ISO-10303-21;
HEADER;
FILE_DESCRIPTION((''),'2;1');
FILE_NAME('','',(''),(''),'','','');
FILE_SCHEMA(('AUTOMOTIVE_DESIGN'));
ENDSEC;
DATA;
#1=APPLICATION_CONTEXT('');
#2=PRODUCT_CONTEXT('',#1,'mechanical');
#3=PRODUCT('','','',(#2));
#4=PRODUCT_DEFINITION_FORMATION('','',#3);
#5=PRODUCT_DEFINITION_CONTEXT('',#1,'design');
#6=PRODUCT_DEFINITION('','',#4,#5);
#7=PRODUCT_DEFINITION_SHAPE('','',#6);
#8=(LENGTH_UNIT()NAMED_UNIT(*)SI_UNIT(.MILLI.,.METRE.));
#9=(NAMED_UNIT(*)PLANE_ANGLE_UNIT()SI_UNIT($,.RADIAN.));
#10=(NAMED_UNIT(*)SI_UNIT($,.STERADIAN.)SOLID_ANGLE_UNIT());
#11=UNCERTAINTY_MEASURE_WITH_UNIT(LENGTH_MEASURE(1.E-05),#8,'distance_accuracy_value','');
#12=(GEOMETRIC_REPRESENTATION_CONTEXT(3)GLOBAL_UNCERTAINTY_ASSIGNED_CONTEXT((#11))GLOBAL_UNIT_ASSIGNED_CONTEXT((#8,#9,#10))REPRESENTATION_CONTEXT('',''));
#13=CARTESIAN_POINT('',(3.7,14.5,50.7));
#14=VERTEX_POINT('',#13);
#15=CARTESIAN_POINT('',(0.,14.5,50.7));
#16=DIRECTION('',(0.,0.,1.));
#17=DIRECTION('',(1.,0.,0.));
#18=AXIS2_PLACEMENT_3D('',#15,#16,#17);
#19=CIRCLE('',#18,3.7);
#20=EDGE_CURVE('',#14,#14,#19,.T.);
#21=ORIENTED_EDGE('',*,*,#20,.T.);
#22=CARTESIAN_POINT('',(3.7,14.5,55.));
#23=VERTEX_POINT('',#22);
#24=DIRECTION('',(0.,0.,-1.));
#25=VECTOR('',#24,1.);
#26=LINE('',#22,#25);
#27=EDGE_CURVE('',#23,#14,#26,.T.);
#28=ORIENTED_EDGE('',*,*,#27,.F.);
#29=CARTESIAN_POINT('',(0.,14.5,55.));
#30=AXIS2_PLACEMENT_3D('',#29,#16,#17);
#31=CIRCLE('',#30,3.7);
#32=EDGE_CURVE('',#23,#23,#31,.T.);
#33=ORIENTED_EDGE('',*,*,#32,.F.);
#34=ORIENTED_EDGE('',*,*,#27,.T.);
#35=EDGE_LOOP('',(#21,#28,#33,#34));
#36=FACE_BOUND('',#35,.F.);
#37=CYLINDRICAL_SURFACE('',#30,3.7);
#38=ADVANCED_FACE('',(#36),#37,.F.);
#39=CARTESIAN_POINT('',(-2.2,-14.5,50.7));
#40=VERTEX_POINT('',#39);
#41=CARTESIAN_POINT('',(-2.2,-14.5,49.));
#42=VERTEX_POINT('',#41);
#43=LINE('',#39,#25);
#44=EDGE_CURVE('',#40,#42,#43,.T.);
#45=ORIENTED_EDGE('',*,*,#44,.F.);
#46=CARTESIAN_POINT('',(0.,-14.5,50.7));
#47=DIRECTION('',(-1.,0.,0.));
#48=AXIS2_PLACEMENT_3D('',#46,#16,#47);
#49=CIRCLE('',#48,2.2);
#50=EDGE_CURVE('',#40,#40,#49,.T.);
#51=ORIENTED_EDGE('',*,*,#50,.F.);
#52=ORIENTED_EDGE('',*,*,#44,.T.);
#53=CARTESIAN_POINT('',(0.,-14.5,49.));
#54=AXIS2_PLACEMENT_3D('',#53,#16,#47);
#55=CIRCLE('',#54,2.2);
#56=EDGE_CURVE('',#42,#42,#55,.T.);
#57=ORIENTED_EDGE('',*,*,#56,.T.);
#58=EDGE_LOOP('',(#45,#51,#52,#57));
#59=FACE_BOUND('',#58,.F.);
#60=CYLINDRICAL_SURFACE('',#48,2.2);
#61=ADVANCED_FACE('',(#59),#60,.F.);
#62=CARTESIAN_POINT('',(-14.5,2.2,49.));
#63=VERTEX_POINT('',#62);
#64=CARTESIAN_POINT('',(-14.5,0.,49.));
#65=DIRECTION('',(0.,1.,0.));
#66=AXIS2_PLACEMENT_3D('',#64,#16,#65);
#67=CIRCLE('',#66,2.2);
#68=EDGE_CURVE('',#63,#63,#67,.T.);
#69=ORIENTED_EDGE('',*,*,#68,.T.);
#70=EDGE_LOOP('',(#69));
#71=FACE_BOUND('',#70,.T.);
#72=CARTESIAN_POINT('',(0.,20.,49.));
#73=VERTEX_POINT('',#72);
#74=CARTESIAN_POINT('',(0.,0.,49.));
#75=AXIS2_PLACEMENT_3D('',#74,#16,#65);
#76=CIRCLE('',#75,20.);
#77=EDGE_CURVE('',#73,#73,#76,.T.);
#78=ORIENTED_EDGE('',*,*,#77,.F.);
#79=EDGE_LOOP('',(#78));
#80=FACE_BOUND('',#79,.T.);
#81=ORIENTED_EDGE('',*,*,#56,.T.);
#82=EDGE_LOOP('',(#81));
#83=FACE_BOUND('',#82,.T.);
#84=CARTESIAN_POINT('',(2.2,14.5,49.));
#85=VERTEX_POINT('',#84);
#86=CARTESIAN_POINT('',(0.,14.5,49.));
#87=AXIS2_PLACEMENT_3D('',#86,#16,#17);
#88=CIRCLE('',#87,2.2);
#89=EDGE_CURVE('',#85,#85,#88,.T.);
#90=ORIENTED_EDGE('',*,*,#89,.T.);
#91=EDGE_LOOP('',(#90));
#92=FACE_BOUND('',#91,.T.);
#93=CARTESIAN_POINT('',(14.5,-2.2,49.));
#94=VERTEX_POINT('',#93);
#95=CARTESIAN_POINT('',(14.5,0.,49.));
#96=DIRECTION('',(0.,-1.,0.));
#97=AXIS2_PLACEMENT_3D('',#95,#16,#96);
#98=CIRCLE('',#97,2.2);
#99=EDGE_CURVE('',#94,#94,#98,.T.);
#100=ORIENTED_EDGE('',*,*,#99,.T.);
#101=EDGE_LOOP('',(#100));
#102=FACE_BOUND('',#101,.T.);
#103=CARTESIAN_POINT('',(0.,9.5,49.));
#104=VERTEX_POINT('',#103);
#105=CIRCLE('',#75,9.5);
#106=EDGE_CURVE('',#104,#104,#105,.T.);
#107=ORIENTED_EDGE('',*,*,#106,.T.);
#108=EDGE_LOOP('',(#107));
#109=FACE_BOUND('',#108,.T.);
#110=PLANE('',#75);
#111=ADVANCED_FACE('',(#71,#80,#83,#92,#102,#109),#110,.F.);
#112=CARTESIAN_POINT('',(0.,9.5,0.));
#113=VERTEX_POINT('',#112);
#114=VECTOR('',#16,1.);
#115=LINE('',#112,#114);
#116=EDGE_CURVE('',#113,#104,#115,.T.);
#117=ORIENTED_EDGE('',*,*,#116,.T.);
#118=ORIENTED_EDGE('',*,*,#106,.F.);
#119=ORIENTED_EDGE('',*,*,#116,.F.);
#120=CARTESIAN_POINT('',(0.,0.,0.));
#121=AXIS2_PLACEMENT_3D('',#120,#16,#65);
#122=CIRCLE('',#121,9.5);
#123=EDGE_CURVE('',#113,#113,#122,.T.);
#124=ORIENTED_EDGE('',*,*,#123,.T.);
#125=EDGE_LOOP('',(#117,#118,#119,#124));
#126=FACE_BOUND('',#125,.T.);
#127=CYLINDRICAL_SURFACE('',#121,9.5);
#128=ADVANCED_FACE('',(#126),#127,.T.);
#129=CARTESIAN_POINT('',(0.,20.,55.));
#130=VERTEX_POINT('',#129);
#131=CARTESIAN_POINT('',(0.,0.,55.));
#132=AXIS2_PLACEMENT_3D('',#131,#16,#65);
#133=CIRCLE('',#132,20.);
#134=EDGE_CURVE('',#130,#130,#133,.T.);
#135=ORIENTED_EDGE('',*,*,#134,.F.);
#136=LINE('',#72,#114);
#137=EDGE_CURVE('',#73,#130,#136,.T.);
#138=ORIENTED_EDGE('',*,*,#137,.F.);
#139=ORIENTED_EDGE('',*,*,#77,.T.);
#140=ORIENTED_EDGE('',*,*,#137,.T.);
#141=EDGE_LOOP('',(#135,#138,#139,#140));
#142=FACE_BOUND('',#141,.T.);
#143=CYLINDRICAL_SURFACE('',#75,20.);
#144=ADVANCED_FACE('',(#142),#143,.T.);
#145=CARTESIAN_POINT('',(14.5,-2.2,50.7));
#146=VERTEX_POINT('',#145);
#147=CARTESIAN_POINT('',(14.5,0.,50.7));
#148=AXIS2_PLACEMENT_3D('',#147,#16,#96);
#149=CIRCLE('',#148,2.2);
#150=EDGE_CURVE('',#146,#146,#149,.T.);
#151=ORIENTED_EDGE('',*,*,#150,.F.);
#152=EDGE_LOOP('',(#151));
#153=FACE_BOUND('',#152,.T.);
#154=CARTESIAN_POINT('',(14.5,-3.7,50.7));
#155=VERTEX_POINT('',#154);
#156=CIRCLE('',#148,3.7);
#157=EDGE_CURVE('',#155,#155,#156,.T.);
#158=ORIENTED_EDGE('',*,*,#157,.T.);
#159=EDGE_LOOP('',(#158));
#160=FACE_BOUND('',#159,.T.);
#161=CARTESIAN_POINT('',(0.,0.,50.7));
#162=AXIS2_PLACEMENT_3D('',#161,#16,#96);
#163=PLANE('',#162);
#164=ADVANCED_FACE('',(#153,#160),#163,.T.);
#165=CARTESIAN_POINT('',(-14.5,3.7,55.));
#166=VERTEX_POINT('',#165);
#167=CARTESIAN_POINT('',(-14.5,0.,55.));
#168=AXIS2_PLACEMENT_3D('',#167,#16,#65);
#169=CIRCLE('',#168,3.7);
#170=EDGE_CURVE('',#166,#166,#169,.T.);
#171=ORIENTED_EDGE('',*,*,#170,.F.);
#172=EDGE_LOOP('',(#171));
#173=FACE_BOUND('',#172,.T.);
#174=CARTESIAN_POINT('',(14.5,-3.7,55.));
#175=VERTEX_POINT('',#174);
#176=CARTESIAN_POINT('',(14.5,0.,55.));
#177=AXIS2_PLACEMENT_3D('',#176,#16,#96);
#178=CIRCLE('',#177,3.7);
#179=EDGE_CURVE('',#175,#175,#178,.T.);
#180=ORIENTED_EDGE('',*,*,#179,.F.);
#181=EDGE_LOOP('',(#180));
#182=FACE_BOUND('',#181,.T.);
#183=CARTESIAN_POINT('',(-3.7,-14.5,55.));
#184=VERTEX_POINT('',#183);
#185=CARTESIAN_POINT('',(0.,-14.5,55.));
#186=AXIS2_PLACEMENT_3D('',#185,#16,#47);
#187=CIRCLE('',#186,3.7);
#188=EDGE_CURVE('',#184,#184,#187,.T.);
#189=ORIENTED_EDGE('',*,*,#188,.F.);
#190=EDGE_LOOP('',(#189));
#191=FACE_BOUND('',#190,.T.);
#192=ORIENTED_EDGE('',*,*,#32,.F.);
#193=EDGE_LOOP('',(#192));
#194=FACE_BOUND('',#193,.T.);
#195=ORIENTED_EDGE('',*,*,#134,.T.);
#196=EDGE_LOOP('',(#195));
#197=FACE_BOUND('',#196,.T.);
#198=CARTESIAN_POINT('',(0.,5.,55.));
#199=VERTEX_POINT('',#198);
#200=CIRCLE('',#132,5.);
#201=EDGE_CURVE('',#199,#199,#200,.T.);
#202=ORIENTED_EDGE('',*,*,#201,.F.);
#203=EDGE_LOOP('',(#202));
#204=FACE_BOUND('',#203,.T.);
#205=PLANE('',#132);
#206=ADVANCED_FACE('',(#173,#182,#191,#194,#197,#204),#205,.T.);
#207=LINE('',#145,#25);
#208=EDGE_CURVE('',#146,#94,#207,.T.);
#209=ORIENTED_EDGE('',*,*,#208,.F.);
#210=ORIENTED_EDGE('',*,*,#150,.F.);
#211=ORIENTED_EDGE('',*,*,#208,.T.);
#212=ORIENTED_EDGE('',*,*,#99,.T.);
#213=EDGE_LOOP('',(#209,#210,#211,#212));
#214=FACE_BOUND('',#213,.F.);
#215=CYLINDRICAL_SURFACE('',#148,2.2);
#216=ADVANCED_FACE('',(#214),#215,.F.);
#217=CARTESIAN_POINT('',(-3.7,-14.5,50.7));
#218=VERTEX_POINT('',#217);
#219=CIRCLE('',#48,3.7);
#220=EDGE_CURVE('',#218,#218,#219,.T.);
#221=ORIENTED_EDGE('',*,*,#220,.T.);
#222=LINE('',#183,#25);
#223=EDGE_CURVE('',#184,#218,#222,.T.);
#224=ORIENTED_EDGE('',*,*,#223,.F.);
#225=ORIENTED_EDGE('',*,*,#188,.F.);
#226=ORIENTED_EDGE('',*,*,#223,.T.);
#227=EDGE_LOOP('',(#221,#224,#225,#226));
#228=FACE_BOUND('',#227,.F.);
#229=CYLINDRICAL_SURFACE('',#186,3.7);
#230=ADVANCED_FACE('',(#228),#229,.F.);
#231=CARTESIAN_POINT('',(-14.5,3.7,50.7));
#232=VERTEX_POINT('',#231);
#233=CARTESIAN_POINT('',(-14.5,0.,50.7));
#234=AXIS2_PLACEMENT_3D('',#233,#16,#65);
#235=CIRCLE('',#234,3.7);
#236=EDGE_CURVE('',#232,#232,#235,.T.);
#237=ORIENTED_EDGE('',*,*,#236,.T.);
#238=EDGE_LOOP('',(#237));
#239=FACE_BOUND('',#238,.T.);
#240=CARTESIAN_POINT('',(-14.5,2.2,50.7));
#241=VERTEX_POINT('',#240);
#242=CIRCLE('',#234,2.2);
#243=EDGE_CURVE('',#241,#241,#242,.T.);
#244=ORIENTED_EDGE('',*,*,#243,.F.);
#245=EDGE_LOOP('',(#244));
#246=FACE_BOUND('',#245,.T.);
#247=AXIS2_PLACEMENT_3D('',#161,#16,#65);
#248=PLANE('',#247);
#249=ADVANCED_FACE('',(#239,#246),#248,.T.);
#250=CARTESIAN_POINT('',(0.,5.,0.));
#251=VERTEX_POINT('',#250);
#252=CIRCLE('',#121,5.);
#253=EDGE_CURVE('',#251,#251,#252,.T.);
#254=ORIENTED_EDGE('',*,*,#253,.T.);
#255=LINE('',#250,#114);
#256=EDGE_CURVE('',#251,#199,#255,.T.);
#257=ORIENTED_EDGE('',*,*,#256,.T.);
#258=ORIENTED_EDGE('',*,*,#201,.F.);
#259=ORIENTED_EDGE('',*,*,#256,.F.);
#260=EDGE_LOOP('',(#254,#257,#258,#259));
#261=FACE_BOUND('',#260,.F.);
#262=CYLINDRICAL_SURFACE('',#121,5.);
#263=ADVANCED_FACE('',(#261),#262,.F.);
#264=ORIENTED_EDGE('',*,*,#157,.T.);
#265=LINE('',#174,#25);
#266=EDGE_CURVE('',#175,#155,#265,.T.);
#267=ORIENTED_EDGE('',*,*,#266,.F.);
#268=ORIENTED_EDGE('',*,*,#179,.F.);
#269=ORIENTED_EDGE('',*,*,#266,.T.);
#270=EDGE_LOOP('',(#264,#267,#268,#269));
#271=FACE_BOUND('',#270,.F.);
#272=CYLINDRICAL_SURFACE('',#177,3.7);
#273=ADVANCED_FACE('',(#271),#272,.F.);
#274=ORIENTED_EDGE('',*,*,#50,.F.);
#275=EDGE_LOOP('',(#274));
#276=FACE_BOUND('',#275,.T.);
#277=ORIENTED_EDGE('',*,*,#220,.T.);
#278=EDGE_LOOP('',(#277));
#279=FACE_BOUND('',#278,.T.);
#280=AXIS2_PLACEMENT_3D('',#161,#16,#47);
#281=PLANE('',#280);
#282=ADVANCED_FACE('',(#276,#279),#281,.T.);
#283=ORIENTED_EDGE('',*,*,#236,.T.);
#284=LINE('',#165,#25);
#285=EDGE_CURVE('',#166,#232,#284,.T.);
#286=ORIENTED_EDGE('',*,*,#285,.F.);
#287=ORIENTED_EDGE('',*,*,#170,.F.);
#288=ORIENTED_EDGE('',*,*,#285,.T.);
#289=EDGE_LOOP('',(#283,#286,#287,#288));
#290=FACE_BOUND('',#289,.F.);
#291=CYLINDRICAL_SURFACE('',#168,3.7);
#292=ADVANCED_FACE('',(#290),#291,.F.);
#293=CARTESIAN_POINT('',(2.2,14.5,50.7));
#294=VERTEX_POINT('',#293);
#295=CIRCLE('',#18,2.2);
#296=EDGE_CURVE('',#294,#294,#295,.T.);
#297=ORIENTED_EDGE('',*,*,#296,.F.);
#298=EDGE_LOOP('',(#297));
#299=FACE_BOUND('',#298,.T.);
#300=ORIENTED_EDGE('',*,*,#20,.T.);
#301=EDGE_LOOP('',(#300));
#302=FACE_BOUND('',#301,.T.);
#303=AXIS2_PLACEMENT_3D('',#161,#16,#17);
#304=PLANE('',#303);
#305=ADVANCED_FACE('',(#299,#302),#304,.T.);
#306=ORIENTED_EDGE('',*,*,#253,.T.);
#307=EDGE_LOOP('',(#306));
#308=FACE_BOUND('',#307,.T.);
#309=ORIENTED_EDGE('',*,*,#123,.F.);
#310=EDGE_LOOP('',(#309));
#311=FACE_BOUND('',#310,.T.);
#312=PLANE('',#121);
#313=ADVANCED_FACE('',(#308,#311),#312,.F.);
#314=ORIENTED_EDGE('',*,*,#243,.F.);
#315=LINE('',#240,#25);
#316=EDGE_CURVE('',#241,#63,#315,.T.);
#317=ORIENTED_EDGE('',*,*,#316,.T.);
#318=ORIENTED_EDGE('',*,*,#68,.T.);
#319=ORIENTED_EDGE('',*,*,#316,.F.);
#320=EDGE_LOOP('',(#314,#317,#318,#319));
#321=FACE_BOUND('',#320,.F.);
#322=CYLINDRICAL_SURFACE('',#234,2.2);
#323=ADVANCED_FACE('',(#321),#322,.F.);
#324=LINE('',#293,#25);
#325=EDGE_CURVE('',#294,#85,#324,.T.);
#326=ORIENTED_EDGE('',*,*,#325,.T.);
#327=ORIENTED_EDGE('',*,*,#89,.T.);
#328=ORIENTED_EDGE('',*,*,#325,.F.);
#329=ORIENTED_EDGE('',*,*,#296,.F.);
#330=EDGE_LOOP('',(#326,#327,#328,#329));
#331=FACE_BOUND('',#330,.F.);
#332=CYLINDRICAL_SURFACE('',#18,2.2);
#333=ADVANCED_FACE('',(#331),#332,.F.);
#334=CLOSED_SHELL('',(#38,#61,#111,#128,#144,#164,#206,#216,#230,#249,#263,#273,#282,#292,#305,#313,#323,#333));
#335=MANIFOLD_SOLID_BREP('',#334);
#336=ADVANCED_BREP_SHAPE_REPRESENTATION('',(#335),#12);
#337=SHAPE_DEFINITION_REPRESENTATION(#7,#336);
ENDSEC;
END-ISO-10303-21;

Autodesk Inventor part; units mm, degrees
ref_plane "YZ Plane" through (0, 0, 0) normal (1, 0, 0) x (0, 1, 0)
ref_plane "XZ Plane" through (0, 0, 0) normal (0, 1, 0) x (-1, 0, 0)
ref_plane "XY Plane" through (0, 0, 0) normal (0, 0, 1) x (1, 0, 0)
sketch "スケッチ2" plane through (0, 0, 0) normal (1, 0, 0) x (0, 1, 0)
  line L0 (5, 0) -> (9.5, 0)
  line L1 (9.5, 0) -> (9.5, 49)
  line L2 (9.5, 49) -> (20, 49)
  line L3 (20, 49) -> (20, 55)
  line L4 (20, 55) -> (5, 55)
  line L5 (5, 0) -> (5, 55)
  line L6 (0, -11) -> (0, 66) projected
  point P0 (0, 0)
  point P1 (0, 55)
  dimension "d0" = 9.5
  dimension "d1" = 55
  dimension "d2" = 6
  dimension "d3" = 20
  dimension "d4" = 5
revolve "回転1" add sketch "スケッチ2" angle 360 about axis through (0, 0, -10) along (0, 0, 1)
sketch "スケッチ3" plane through (0, 0, 55) normal (0, 0, 1) x (1, 0, 0)
  circle A0 centre (0, 14.5) radius 3.7
  point P0 (0, 0)
  dimension "d6" = 14.5
  dimension "d7" = 7.4
extrude "押し出し1" cut sketch "スケッチ3" against normal blind 4.3
sketch "スケッチ4" plane through (0, 14.5, 50.7) normal (0, 0, 1) x (1, 0, 0)
  circle A0 centre (0, 0) radius 2.2
  circle A1 centre (0, 0) radius 3.7 projected
  point P0 (0, -14.5)
  dimension "d10" = 4.4
extrude "押し出し2" cut sketch "スケッチ4" against normal through all contours A0
pattern_circular "円形状パターン1" count 4 over 360 about axis through (0, 0, -10) along (0, 0, 1) of "押し出し1", "押し出し2"
equation "\"d0\" = 0.5 * D"
equation "\"d1\" = L"
equation "\"d2\" = t"
equation "\"d3\" = 0.5 * Df"
equation "\"d4\" = 0.5 * dr"
equation "\"d6\" = 0.5 * PCD"
equation "\"D\" = 19"
equation "\"L\" = 55"
equation "\"t\" = 6"
equation "\"PCD\" = 29"
equation "\"Df\" = 40"
equation "\"dr\" = 10"
properties part number "NB_SMF10WW"
